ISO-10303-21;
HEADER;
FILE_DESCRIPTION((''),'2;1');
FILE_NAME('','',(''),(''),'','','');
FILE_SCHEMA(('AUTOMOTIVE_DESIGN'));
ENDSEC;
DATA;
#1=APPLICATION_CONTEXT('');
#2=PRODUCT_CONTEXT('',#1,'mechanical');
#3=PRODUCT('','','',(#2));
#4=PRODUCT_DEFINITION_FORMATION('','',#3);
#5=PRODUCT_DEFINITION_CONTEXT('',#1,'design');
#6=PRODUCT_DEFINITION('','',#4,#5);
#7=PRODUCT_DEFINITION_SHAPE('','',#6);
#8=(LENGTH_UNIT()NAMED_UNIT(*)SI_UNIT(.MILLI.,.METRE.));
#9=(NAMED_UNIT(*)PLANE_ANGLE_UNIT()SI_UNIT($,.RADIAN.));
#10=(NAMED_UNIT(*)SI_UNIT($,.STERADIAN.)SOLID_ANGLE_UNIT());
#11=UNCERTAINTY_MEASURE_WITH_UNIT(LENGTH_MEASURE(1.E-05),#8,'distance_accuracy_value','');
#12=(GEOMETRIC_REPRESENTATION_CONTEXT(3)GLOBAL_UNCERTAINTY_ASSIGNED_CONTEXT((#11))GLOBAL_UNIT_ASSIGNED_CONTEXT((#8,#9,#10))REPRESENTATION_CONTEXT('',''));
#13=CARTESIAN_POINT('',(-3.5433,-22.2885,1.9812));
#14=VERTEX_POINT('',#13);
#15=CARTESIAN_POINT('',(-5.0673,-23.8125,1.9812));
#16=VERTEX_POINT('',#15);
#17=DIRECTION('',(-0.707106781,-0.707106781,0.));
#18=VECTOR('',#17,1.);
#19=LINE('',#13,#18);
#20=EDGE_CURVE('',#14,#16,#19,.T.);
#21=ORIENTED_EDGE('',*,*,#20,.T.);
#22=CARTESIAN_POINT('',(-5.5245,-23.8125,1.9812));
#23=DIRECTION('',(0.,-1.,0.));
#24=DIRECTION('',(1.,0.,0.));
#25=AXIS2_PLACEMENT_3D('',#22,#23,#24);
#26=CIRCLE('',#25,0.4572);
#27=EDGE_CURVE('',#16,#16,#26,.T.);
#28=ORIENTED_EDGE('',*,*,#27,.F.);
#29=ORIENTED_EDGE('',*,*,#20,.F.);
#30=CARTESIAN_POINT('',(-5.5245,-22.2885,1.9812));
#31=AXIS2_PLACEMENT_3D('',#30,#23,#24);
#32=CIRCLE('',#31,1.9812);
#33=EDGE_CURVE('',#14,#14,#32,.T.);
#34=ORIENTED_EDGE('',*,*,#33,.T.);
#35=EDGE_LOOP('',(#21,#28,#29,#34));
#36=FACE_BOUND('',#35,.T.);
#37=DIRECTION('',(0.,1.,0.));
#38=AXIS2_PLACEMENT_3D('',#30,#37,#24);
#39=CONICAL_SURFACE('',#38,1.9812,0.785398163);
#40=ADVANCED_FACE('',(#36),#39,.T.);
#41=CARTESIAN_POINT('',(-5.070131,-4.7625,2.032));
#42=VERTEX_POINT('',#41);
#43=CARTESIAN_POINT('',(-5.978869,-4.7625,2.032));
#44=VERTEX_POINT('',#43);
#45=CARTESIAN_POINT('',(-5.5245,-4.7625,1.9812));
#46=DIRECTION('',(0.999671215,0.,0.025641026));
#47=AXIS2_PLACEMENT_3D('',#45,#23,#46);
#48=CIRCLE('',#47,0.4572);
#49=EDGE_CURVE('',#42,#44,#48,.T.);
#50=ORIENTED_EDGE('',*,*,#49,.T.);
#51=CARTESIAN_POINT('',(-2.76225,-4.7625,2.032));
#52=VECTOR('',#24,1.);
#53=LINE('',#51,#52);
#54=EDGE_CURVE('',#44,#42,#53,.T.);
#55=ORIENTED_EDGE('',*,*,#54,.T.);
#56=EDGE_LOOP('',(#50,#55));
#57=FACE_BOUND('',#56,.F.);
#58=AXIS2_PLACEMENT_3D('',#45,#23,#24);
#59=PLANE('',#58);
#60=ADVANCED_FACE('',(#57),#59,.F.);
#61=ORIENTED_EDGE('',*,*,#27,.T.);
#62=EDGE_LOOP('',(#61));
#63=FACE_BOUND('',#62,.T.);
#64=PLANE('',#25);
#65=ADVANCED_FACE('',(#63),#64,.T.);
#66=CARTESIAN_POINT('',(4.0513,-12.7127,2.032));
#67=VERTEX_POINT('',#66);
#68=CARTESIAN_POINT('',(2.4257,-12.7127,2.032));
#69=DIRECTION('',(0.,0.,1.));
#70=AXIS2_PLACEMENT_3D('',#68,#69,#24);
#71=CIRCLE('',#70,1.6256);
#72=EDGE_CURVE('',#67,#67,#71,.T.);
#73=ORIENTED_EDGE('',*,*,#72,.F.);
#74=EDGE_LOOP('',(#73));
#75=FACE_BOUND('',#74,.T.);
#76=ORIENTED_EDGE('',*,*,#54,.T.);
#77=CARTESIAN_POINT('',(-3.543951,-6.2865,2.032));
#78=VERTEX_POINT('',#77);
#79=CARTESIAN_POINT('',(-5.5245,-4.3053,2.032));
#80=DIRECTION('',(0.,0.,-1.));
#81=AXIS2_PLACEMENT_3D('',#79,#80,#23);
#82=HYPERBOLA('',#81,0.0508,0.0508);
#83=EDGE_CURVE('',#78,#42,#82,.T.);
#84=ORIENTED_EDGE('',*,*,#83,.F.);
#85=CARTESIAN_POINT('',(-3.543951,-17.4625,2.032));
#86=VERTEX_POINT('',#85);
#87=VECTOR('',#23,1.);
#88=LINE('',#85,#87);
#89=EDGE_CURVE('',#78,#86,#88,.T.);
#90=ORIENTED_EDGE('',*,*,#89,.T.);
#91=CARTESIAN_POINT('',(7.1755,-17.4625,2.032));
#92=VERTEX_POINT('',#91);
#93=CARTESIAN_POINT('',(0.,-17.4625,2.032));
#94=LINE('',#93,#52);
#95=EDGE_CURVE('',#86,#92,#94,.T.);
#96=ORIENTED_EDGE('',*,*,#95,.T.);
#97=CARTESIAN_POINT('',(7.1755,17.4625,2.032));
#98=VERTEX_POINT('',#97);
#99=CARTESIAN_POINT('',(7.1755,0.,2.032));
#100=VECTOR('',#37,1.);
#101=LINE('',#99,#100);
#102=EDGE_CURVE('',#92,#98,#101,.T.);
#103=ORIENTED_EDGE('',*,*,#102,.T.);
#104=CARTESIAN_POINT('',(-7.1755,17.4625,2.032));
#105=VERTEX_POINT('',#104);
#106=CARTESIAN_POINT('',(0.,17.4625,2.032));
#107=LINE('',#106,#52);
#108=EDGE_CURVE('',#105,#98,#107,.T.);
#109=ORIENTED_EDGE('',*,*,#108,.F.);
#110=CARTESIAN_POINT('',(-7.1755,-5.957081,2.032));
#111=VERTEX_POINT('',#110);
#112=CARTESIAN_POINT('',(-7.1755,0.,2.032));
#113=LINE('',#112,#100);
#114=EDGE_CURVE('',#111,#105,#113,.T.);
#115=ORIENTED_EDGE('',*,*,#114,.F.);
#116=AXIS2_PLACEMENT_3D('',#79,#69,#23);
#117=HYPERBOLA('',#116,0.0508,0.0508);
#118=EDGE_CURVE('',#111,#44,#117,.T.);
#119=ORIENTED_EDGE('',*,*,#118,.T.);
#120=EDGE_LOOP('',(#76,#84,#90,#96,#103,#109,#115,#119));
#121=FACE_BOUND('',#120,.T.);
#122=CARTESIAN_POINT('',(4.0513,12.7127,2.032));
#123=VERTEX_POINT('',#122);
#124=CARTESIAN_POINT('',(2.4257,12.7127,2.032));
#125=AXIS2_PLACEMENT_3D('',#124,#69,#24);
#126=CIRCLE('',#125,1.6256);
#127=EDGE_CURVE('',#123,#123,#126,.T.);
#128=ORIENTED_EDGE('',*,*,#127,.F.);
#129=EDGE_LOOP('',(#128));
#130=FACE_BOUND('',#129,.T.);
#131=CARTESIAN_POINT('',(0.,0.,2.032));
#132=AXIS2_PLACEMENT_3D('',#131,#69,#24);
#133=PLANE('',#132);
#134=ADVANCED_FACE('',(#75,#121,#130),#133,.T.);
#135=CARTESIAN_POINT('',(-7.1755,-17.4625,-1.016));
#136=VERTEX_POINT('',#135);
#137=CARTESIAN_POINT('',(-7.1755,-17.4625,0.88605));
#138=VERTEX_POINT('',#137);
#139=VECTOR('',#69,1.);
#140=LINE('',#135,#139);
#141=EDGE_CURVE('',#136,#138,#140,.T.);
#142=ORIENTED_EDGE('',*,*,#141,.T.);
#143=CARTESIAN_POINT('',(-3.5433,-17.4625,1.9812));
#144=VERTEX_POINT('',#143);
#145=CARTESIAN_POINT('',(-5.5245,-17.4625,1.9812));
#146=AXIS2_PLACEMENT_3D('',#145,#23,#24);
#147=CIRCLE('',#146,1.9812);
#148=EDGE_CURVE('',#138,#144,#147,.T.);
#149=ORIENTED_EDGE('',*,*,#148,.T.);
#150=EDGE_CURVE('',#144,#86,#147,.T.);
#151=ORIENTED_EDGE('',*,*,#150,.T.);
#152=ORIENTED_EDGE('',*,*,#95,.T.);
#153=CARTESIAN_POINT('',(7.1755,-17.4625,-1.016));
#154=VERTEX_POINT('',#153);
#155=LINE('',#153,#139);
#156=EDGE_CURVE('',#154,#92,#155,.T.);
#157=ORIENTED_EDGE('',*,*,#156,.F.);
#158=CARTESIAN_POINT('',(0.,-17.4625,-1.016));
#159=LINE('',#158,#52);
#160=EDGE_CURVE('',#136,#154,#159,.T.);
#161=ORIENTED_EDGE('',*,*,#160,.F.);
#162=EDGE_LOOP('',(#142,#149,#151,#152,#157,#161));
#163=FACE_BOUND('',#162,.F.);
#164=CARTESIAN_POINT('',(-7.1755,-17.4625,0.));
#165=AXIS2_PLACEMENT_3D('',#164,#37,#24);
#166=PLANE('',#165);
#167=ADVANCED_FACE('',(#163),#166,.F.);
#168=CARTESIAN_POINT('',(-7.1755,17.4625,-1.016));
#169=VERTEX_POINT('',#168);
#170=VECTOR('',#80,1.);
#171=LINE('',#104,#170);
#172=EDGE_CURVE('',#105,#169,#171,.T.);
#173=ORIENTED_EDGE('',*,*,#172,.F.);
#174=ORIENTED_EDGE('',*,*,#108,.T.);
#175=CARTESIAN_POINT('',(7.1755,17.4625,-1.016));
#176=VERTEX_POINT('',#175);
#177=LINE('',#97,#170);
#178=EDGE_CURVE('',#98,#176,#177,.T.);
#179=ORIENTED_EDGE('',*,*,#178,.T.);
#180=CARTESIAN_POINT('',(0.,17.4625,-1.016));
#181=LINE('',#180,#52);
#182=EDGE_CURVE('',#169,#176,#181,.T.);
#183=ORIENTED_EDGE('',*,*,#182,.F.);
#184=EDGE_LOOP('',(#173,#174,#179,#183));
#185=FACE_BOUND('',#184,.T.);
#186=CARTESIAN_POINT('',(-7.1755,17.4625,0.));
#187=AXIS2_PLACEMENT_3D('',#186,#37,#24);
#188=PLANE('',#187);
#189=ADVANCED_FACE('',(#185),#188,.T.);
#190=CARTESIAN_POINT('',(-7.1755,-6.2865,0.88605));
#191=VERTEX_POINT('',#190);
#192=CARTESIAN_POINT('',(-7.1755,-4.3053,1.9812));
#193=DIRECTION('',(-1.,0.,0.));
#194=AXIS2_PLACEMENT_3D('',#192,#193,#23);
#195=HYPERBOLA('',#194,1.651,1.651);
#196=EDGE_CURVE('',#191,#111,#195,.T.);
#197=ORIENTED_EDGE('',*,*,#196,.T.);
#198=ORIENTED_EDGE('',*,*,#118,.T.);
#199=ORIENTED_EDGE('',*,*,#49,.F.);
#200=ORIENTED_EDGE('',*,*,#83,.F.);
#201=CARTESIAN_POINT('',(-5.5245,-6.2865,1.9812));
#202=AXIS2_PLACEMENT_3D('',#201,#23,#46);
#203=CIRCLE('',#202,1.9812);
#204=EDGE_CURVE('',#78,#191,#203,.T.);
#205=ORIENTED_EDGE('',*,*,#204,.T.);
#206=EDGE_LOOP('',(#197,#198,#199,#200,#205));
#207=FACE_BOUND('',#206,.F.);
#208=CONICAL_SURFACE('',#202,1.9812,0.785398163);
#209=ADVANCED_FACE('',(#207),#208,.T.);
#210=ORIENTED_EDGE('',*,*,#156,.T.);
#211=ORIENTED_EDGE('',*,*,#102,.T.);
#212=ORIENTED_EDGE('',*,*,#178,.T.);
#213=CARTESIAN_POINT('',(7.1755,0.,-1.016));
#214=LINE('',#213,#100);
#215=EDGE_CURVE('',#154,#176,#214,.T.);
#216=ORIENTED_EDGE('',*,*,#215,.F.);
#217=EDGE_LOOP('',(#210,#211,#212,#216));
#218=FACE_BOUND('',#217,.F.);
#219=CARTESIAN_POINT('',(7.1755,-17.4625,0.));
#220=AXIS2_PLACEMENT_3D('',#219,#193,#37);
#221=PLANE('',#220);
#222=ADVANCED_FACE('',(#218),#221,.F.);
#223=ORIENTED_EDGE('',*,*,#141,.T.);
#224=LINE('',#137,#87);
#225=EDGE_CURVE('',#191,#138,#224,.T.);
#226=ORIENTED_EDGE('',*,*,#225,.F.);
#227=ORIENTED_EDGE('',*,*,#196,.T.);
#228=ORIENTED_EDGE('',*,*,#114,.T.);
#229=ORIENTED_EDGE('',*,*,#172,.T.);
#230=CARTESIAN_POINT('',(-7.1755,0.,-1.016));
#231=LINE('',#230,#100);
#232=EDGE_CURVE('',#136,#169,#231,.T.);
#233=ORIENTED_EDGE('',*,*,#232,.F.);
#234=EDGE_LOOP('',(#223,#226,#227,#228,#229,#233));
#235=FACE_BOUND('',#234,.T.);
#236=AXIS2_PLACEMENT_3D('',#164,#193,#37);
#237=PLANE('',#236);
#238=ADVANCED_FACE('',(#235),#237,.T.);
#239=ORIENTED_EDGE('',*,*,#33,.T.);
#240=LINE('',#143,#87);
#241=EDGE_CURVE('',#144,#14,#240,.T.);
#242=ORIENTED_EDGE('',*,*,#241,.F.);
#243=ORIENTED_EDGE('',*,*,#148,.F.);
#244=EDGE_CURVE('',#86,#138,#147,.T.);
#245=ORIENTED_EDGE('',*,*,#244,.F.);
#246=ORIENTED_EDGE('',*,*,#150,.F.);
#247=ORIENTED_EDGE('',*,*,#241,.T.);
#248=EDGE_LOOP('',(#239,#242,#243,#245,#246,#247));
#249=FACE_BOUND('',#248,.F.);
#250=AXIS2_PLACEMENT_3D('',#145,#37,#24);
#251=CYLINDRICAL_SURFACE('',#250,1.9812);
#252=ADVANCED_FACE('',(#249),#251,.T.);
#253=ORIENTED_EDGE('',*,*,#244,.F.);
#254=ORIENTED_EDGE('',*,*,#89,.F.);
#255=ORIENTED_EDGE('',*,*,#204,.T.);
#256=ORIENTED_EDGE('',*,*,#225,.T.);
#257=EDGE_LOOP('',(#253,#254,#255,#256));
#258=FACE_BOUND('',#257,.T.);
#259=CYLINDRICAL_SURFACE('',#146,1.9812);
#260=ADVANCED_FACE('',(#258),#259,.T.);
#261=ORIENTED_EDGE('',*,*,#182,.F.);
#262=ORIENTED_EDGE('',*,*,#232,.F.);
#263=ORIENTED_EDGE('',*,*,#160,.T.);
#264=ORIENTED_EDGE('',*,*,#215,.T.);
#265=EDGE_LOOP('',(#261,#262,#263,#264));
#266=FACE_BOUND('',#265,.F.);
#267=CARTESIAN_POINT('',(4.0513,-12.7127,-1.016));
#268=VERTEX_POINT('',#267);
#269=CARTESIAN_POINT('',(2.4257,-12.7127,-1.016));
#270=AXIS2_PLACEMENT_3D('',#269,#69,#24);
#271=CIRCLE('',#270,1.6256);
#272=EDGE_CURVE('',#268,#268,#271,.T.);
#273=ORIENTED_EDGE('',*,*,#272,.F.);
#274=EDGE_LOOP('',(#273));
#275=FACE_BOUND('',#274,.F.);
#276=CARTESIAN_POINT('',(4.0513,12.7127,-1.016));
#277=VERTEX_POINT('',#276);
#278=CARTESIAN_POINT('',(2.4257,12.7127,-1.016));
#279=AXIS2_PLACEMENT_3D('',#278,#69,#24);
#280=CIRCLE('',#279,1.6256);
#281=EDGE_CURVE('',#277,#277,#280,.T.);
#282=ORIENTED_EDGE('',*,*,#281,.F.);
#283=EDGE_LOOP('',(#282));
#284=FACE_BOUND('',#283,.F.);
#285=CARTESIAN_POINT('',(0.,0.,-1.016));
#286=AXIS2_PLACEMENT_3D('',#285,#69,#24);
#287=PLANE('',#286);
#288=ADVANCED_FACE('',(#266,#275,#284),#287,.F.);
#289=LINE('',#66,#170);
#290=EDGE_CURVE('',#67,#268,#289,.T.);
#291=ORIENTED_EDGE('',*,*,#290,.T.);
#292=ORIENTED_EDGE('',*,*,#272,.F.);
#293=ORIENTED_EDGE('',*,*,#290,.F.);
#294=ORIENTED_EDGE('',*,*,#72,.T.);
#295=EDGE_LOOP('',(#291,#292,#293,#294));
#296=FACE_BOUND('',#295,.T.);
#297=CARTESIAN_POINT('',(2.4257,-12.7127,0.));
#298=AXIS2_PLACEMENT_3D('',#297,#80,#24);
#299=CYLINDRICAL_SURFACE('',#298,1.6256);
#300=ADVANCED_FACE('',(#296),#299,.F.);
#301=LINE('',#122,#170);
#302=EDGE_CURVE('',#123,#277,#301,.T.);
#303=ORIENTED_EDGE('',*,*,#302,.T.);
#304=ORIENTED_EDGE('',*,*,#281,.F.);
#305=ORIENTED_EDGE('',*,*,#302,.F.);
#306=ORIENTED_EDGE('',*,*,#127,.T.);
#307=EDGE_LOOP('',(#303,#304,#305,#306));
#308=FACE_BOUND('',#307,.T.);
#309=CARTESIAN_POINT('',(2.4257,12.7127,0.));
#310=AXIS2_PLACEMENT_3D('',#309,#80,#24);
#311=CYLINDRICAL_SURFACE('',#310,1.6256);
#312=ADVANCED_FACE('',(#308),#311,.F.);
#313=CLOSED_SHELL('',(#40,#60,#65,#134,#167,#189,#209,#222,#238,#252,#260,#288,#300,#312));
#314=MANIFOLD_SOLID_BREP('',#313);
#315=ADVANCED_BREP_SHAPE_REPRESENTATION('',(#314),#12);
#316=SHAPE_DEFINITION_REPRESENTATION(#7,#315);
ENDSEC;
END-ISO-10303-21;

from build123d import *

# Parameters (mm, degrees)
F0_W          = 14.351
F0_H          = 34.925
F0_R          = 1.6256
F1_DEPTH      = 1.016
F1_DEPTH_BACK = 2.032
F2_R          = 1.9812
F3_DEPTH      = 6.35
F3_DEPTH_BACK = 12.7
F4_SIZE       = 1.524


with BuildPart() as f1:
    # F0 (on Top) → F1 (new body, two sides)
    with BuildSketch(Plane.XY) as f1_sk:
        Rectangle(F0_W, F0_H)
        with Locations((2.4257, -12.7127)):
            Circle(F0_R, mode=Mode.SUBTRACT)
        with Locations((2.4257, 12.7127)):
            Circle(F0_R, mode=Mode.SUBTRACT)
    extrude(amount=-F1_DEPTH)
    extrude(f1_sk.sketch, amount=F1_DEPTH_BACK)

    # F2 (on face) → F3 (join, two sides)
    with BuildSketch(Plane.XZ.offset(17.4625)) as f3_sk:
        with Locations((-5.5245, 1.9812)):
            Circle(F2_R)
    extrude(amount=F3_DEPTH)
    extrude(f3_sk.sketch, amount=-F3_DEPTH_BACK)

    # F4
    f4_edges = [f1.edges().sort_by_distance(p)[0] for p in [
        (-7.5057, -23.8125, 1.9812),
        (-6.120697, -4.7625, 3.870566),
    ]]
    chamfer(f4_edges, length=F4_SIZE)


solid = f1.part
